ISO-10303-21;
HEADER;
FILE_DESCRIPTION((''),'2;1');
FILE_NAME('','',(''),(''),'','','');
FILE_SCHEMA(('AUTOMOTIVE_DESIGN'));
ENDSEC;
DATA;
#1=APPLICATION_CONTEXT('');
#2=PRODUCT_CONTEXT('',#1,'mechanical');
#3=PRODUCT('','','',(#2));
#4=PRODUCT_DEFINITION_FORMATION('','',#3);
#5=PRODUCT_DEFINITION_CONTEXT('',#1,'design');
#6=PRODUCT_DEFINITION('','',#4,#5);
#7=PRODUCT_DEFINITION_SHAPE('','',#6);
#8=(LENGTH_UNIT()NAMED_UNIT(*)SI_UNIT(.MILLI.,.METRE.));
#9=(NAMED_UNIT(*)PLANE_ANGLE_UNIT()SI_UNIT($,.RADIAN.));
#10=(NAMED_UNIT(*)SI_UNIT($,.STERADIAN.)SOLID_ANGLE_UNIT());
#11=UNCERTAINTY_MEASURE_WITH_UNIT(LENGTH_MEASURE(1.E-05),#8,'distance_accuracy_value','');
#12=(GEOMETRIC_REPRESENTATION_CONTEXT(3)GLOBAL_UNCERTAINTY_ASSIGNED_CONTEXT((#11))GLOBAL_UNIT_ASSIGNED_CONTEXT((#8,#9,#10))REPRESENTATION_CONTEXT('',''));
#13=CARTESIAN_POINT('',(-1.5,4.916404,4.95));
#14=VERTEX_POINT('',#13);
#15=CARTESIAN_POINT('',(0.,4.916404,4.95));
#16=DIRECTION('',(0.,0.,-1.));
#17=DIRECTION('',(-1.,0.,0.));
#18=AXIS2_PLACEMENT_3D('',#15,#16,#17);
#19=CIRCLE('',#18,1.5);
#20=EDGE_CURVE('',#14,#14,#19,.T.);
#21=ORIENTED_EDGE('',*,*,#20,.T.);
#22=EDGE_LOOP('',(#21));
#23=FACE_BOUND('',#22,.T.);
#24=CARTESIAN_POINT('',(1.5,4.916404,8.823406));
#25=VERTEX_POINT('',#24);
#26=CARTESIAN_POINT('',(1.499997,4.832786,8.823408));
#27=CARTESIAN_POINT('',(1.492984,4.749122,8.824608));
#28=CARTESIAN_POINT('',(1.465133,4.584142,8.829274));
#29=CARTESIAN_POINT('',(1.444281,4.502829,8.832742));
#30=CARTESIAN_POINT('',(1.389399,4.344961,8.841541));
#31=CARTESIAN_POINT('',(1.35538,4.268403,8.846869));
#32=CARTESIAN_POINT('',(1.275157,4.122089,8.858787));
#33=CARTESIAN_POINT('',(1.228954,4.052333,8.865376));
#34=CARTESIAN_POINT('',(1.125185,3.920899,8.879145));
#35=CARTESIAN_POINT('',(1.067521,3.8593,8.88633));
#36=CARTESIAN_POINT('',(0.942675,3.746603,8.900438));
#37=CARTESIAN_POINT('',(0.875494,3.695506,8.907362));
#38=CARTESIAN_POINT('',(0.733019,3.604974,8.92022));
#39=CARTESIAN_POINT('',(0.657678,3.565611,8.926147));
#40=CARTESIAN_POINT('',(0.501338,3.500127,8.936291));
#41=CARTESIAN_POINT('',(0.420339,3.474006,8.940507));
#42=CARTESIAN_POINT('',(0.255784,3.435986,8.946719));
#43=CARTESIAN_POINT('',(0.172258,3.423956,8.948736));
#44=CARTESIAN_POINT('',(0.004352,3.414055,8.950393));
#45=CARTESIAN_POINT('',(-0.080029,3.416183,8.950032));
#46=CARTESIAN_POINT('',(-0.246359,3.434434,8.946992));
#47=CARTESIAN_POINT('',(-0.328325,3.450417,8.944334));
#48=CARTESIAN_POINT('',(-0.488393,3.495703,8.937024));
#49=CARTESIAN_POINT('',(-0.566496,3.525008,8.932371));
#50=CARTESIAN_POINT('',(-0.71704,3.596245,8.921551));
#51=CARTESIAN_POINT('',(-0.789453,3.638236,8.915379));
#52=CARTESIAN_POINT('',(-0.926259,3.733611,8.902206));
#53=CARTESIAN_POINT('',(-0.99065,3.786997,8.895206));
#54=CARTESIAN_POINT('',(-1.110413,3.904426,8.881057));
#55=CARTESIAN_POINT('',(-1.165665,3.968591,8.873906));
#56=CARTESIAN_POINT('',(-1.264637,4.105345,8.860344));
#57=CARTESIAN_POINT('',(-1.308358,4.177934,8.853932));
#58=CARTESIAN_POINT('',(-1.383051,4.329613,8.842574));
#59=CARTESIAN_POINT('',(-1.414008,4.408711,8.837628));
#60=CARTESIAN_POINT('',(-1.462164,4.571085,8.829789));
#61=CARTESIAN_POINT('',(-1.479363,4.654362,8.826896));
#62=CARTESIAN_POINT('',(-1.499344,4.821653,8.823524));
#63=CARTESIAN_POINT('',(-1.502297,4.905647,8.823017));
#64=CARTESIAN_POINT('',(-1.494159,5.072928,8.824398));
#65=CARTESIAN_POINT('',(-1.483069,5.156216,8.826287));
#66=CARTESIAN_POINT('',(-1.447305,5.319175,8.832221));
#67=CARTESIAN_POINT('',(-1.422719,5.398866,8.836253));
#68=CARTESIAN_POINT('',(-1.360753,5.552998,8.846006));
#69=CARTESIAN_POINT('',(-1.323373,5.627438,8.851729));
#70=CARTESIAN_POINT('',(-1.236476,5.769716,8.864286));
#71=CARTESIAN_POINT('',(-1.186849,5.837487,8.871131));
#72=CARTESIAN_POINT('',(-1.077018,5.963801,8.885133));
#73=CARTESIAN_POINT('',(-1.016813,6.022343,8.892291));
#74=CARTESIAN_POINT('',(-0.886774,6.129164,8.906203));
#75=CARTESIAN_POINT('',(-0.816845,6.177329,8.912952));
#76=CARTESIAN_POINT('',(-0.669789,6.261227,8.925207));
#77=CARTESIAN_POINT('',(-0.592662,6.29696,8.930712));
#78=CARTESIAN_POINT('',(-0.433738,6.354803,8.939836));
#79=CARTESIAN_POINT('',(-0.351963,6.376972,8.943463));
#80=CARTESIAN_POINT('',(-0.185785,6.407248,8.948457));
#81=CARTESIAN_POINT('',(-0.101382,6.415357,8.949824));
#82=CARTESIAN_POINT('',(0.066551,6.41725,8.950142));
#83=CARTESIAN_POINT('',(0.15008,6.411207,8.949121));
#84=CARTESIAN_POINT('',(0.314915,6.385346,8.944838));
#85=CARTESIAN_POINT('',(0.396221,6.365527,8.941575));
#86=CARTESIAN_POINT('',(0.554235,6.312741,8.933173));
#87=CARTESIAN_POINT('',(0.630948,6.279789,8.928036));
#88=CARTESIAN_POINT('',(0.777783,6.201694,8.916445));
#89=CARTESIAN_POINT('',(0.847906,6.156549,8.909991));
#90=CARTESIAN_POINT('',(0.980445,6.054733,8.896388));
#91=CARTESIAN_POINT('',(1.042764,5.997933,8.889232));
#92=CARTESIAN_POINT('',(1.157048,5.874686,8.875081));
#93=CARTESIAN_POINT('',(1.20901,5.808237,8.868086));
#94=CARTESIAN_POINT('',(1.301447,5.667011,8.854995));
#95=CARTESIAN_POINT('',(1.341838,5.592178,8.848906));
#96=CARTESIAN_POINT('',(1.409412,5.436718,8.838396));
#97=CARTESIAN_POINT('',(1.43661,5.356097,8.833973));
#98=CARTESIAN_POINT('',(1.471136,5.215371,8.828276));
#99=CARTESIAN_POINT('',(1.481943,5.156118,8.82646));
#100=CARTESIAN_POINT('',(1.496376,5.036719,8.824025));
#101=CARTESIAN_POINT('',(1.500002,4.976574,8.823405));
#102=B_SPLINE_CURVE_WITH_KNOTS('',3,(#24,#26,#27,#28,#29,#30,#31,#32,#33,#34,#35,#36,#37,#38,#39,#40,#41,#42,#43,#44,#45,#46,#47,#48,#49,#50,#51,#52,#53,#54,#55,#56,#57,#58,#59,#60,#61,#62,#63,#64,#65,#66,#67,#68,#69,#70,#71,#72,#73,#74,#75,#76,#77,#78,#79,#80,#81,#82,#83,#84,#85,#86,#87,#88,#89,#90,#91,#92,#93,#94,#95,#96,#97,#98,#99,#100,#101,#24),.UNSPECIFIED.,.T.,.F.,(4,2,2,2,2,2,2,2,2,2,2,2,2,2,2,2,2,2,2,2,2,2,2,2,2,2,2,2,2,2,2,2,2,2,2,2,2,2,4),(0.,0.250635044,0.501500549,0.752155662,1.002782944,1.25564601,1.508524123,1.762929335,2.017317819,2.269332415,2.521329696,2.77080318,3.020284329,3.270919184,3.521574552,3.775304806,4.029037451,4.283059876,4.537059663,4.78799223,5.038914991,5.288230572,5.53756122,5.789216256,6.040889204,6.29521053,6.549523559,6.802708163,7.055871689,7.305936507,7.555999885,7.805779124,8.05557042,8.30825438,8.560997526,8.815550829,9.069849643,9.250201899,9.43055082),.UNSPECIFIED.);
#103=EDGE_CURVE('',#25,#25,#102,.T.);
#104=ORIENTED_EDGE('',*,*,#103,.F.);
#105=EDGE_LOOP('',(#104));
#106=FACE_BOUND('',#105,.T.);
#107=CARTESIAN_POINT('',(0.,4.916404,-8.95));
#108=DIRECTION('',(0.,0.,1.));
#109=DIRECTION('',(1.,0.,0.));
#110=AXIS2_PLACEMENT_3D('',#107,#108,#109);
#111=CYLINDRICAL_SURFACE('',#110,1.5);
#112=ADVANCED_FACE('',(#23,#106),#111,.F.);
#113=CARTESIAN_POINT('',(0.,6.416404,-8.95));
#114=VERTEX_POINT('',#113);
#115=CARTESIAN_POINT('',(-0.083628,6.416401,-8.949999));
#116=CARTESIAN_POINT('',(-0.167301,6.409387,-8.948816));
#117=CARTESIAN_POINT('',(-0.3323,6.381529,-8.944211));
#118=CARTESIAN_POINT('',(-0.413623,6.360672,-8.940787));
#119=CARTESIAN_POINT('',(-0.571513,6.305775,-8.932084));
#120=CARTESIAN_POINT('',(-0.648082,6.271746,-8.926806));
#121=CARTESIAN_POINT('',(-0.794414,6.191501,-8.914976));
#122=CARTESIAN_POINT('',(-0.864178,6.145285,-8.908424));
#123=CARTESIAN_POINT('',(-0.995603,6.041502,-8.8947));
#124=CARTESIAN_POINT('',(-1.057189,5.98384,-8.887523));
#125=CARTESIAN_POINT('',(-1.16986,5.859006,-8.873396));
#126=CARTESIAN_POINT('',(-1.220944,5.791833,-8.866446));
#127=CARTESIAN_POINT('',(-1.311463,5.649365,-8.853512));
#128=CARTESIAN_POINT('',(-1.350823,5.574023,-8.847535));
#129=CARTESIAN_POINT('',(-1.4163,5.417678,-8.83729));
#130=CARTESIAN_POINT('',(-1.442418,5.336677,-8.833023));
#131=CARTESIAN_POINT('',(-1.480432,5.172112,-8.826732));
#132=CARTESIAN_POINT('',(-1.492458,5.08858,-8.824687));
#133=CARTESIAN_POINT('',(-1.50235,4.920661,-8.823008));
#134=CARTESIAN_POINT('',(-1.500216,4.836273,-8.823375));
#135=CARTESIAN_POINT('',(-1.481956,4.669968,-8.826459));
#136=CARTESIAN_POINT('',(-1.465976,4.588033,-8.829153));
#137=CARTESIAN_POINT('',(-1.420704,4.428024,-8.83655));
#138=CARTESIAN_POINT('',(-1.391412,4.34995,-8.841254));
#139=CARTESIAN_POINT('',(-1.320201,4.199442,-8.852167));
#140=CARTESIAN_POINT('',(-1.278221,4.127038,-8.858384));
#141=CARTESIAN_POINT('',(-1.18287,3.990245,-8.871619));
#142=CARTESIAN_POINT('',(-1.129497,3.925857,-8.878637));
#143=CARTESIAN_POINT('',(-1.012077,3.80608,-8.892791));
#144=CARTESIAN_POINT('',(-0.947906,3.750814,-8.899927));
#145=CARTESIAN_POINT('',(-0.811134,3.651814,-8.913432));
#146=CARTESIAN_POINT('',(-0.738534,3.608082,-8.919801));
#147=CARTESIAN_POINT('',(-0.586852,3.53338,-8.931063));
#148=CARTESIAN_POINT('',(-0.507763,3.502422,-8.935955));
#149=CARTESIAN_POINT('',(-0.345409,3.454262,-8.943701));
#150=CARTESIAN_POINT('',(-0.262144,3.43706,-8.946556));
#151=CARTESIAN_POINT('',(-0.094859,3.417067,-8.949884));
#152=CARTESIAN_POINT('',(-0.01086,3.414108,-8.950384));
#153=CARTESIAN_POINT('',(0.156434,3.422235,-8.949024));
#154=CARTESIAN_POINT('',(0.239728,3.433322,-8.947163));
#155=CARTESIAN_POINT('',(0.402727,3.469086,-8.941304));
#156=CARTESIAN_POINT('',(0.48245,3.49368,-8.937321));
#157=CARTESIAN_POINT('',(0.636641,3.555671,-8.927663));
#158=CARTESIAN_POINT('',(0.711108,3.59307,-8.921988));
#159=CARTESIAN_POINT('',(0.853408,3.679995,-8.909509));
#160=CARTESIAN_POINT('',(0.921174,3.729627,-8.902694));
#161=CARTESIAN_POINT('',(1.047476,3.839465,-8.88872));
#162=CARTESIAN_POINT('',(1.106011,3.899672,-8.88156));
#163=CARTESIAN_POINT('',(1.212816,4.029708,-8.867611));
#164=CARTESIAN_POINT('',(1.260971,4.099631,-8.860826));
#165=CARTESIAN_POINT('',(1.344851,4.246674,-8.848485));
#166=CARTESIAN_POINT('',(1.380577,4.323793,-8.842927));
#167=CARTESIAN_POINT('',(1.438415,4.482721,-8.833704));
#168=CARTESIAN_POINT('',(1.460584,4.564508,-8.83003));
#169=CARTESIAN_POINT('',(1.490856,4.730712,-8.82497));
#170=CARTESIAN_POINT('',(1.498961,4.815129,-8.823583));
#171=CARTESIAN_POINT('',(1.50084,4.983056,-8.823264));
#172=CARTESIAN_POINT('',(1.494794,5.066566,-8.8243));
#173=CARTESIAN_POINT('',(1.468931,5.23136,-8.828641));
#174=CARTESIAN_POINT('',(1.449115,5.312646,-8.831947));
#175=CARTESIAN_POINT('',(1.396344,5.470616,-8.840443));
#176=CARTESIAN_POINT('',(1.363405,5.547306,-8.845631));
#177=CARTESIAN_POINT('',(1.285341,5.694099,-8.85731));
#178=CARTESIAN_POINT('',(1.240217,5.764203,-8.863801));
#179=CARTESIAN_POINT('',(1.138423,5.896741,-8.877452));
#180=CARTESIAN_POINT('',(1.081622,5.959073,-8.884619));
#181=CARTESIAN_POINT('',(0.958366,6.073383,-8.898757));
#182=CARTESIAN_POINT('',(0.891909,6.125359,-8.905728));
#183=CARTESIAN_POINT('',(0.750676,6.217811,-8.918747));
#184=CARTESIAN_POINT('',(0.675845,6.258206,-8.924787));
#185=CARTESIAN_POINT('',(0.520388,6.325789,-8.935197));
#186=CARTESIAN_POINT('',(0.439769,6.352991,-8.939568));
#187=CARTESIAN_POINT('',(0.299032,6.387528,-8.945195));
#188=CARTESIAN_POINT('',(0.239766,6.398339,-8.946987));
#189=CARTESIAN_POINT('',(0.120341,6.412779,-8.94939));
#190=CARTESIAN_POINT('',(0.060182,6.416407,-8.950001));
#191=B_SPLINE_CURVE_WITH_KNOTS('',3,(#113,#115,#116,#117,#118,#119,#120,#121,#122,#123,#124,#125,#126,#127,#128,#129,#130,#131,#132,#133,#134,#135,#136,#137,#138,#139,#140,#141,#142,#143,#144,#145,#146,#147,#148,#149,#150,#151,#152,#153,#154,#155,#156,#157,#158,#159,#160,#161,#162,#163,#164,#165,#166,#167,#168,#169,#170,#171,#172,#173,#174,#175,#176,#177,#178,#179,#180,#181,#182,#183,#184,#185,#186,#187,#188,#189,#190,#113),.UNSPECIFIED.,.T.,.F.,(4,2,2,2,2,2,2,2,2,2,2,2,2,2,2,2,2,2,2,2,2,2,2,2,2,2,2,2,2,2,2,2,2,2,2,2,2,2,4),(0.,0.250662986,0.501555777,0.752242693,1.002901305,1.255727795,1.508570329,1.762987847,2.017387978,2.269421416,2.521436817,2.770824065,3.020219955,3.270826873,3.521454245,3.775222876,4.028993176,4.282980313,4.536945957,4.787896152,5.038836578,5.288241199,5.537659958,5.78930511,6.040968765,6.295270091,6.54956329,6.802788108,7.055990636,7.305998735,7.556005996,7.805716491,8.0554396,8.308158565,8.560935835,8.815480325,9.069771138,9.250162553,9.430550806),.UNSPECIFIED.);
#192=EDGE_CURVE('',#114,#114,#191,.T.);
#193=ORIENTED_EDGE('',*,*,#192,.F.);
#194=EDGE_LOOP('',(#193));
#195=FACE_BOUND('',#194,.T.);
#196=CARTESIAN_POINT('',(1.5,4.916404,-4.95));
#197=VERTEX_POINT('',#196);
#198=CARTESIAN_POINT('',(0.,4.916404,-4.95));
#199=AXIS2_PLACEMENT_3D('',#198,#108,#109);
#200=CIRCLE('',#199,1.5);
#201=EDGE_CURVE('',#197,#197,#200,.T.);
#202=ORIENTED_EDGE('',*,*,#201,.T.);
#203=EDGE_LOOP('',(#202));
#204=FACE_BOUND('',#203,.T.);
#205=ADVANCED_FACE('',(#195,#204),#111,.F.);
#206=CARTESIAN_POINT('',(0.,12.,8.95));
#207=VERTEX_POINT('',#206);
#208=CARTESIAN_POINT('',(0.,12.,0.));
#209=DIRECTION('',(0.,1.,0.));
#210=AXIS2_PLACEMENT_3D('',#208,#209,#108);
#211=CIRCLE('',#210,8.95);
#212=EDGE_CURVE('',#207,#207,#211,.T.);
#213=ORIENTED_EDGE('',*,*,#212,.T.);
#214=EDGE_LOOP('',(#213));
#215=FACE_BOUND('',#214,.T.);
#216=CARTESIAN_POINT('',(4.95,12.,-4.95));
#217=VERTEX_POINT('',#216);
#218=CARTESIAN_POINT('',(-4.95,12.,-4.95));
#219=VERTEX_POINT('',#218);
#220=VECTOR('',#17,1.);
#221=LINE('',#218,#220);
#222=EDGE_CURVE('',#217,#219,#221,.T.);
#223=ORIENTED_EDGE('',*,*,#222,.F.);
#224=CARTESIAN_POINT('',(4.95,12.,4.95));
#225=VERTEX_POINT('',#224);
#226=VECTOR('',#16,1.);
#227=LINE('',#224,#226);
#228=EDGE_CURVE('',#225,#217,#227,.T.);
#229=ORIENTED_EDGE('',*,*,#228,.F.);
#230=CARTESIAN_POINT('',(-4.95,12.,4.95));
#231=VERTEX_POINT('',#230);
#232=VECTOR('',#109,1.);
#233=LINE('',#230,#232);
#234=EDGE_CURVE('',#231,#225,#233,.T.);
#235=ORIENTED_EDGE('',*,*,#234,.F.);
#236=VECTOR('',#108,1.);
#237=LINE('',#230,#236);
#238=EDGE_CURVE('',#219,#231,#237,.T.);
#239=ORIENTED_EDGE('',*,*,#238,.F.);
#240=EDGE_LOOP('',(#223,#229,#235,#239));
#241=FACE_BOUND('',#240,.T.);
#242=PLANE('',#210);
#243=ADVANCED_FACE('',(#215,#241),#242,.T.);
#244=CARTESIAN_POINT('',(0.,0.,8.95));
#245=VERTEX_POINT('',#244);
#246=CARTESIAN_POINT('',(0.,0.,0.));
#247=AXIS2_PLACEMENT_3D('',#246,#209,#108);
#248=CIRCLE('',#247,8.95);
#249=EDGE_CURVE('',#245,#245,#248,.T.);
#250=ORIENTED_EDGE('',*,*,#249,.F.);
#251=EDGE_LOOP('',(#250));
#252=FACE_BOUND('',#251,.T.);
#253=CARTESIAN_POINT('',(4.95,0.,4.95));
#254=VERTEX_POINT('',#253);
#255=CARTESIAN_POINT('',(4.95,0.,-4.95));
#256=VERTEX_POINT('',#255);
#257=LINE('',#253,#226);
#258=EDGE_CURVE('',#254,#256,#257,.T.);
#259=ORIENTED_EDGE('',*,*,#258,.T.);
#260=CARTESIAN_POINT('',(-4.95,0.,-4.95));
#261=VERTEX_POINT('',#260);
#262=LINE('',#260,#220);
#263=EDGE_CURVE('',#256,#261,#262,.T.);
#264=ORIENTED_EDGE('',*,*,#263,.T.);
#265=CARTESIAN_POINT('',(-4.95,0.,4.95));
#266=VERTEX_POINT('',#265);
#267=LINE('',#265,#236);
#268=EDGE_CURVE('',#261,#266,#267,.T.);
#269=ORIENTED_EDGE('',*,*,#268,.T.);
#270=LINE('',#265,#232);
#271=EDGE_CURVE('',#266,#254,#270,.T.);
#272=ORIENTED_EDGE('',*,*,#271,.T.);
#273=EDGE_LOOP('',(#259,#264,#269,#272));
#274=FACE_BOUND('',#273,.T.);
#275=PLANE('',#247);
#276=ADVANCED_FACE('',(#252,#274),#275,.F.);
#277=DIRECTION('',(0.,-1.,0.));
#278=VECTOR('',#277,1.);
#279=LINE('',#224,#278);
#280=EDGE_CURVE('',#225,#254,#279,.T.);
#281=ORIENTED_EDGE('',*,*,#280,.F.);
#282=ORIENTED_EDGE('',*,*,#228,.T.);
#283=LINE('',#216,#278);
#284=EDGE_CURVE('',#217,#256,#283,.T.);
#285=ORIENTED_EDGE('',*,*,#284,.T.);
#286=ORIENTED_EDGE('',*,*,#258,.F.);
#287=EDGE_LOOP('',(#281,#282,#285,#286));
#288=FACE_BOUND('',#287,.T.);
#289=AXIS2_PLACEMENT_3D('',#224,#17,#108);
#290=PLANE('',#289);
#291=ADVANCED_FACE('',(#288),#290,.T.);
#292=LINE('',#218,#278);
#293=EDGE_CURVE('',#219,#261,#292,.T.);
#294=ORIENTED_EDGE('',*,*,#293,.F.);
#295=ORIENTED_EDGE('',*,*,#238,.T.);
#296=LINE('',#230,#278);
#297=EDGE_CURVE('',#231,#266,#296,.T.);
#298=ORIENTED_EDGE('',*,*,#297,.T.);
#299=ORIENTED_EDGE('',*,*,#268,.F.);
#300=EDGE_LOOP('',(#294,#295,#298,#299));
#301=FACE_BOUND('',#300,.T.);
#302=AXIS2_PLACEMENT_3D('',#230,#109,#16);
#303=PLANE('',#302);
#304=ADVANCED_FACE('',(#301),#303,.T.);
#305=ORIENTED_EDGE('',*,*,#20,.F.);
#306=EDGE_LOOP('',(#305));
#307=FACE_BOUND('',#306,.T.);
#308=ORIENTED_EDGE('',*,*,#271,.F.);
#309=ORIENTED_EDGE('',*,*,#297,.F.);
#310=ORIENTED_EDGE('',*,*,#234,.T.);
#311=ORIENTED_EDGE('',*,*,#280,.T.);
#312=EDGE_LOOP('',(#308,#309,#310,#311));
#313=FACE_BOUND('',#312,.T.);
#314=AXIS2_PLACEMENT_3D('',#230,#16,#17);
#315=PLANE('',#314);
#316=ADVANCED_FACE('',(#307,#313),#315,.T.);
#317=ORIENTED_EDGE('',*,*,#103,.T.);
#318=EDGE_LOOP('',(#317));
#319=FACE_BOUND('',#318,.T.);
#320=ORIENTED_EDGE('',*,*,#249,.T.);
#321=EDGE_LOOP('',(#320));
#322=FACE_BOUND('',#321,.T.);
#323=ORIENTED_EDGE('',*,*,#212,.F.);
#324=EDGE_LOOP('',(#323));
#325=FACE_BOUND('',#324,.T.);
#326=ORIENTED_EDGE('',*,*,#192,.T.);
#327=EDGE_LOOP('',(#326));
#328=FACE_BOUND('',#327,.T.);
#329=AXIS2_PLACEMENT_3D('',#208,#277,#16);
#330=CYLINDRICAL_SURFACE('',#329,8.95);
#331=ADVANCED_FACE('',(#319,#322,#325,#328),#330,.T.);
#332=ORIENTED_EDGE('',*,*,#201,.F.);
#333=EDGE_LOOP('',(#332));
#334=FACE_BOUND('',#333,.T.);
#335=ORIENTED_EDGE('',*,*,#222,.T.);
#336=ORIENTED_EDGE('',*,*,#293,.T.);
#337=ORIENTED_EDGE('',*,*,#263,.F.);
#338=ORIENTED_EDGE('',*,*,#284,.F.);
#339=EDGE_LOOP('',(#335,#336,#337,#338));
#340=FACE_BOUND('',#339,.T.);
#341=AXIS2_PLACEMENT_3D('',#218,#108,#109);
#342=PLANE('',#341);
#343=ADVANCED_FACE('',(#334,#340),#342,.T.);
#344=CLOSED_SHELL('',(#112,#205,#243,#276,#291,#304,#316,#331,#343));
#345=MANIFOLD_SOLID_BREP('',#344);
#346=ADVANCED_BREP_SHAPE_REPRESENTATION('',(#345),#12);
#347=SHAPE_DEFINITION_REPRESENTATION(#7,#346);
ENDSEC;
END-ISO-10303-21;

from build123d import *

# Parameters (mm, degrees)
SKETCH1_R               = 8.95
SKETCH1_W               = 9.9
SKETCH1_H               = 9.9
BOSS_EXTRUDE1_DEPTH     = 12
CUT_EXTRUDE2_DEPTH      = 18.441473562
CUT_EXTRUDE2_DEPTH_BACK = 18.441473562
SKETCH4_R               = 1.5


with BuildPart() as part:
    # Sketch1 → Boss-Extrude1 (new body)
    with BuildSketch(Plane(origin=(0, 0, 0), x_dir=(1, 0, 0), z_dir=(0, 1, 0))):
        with Locations(Location((0, 0, 0), (0, 0, 270))):
            Circle(SKETCH1_R)
        Rectangle(SKETCH1_W, SKETCH1_H, mode=Mode.SUBTRACT)
    extrude(amount=BOSS_EXTRUDE1_DEPTH)

    # Sketch4 → Cut-Extrude2 (cut, two sides: drawn at the far end of the back side and taken through both)
    with BuildSketch(Plane.XY.offset(-CUT_EXTRUDE2_DEPTH_BACK)):
        with Locations((0, 4.916404418)):
            Circle(SKETCH4_R)
    extrude(amount=CUT_EXTRUDE2_DEPTH + CUT_EXTRUDE2_DEPTH_BACK, mode=Mode.SUBTRACT)


solid = part.part
